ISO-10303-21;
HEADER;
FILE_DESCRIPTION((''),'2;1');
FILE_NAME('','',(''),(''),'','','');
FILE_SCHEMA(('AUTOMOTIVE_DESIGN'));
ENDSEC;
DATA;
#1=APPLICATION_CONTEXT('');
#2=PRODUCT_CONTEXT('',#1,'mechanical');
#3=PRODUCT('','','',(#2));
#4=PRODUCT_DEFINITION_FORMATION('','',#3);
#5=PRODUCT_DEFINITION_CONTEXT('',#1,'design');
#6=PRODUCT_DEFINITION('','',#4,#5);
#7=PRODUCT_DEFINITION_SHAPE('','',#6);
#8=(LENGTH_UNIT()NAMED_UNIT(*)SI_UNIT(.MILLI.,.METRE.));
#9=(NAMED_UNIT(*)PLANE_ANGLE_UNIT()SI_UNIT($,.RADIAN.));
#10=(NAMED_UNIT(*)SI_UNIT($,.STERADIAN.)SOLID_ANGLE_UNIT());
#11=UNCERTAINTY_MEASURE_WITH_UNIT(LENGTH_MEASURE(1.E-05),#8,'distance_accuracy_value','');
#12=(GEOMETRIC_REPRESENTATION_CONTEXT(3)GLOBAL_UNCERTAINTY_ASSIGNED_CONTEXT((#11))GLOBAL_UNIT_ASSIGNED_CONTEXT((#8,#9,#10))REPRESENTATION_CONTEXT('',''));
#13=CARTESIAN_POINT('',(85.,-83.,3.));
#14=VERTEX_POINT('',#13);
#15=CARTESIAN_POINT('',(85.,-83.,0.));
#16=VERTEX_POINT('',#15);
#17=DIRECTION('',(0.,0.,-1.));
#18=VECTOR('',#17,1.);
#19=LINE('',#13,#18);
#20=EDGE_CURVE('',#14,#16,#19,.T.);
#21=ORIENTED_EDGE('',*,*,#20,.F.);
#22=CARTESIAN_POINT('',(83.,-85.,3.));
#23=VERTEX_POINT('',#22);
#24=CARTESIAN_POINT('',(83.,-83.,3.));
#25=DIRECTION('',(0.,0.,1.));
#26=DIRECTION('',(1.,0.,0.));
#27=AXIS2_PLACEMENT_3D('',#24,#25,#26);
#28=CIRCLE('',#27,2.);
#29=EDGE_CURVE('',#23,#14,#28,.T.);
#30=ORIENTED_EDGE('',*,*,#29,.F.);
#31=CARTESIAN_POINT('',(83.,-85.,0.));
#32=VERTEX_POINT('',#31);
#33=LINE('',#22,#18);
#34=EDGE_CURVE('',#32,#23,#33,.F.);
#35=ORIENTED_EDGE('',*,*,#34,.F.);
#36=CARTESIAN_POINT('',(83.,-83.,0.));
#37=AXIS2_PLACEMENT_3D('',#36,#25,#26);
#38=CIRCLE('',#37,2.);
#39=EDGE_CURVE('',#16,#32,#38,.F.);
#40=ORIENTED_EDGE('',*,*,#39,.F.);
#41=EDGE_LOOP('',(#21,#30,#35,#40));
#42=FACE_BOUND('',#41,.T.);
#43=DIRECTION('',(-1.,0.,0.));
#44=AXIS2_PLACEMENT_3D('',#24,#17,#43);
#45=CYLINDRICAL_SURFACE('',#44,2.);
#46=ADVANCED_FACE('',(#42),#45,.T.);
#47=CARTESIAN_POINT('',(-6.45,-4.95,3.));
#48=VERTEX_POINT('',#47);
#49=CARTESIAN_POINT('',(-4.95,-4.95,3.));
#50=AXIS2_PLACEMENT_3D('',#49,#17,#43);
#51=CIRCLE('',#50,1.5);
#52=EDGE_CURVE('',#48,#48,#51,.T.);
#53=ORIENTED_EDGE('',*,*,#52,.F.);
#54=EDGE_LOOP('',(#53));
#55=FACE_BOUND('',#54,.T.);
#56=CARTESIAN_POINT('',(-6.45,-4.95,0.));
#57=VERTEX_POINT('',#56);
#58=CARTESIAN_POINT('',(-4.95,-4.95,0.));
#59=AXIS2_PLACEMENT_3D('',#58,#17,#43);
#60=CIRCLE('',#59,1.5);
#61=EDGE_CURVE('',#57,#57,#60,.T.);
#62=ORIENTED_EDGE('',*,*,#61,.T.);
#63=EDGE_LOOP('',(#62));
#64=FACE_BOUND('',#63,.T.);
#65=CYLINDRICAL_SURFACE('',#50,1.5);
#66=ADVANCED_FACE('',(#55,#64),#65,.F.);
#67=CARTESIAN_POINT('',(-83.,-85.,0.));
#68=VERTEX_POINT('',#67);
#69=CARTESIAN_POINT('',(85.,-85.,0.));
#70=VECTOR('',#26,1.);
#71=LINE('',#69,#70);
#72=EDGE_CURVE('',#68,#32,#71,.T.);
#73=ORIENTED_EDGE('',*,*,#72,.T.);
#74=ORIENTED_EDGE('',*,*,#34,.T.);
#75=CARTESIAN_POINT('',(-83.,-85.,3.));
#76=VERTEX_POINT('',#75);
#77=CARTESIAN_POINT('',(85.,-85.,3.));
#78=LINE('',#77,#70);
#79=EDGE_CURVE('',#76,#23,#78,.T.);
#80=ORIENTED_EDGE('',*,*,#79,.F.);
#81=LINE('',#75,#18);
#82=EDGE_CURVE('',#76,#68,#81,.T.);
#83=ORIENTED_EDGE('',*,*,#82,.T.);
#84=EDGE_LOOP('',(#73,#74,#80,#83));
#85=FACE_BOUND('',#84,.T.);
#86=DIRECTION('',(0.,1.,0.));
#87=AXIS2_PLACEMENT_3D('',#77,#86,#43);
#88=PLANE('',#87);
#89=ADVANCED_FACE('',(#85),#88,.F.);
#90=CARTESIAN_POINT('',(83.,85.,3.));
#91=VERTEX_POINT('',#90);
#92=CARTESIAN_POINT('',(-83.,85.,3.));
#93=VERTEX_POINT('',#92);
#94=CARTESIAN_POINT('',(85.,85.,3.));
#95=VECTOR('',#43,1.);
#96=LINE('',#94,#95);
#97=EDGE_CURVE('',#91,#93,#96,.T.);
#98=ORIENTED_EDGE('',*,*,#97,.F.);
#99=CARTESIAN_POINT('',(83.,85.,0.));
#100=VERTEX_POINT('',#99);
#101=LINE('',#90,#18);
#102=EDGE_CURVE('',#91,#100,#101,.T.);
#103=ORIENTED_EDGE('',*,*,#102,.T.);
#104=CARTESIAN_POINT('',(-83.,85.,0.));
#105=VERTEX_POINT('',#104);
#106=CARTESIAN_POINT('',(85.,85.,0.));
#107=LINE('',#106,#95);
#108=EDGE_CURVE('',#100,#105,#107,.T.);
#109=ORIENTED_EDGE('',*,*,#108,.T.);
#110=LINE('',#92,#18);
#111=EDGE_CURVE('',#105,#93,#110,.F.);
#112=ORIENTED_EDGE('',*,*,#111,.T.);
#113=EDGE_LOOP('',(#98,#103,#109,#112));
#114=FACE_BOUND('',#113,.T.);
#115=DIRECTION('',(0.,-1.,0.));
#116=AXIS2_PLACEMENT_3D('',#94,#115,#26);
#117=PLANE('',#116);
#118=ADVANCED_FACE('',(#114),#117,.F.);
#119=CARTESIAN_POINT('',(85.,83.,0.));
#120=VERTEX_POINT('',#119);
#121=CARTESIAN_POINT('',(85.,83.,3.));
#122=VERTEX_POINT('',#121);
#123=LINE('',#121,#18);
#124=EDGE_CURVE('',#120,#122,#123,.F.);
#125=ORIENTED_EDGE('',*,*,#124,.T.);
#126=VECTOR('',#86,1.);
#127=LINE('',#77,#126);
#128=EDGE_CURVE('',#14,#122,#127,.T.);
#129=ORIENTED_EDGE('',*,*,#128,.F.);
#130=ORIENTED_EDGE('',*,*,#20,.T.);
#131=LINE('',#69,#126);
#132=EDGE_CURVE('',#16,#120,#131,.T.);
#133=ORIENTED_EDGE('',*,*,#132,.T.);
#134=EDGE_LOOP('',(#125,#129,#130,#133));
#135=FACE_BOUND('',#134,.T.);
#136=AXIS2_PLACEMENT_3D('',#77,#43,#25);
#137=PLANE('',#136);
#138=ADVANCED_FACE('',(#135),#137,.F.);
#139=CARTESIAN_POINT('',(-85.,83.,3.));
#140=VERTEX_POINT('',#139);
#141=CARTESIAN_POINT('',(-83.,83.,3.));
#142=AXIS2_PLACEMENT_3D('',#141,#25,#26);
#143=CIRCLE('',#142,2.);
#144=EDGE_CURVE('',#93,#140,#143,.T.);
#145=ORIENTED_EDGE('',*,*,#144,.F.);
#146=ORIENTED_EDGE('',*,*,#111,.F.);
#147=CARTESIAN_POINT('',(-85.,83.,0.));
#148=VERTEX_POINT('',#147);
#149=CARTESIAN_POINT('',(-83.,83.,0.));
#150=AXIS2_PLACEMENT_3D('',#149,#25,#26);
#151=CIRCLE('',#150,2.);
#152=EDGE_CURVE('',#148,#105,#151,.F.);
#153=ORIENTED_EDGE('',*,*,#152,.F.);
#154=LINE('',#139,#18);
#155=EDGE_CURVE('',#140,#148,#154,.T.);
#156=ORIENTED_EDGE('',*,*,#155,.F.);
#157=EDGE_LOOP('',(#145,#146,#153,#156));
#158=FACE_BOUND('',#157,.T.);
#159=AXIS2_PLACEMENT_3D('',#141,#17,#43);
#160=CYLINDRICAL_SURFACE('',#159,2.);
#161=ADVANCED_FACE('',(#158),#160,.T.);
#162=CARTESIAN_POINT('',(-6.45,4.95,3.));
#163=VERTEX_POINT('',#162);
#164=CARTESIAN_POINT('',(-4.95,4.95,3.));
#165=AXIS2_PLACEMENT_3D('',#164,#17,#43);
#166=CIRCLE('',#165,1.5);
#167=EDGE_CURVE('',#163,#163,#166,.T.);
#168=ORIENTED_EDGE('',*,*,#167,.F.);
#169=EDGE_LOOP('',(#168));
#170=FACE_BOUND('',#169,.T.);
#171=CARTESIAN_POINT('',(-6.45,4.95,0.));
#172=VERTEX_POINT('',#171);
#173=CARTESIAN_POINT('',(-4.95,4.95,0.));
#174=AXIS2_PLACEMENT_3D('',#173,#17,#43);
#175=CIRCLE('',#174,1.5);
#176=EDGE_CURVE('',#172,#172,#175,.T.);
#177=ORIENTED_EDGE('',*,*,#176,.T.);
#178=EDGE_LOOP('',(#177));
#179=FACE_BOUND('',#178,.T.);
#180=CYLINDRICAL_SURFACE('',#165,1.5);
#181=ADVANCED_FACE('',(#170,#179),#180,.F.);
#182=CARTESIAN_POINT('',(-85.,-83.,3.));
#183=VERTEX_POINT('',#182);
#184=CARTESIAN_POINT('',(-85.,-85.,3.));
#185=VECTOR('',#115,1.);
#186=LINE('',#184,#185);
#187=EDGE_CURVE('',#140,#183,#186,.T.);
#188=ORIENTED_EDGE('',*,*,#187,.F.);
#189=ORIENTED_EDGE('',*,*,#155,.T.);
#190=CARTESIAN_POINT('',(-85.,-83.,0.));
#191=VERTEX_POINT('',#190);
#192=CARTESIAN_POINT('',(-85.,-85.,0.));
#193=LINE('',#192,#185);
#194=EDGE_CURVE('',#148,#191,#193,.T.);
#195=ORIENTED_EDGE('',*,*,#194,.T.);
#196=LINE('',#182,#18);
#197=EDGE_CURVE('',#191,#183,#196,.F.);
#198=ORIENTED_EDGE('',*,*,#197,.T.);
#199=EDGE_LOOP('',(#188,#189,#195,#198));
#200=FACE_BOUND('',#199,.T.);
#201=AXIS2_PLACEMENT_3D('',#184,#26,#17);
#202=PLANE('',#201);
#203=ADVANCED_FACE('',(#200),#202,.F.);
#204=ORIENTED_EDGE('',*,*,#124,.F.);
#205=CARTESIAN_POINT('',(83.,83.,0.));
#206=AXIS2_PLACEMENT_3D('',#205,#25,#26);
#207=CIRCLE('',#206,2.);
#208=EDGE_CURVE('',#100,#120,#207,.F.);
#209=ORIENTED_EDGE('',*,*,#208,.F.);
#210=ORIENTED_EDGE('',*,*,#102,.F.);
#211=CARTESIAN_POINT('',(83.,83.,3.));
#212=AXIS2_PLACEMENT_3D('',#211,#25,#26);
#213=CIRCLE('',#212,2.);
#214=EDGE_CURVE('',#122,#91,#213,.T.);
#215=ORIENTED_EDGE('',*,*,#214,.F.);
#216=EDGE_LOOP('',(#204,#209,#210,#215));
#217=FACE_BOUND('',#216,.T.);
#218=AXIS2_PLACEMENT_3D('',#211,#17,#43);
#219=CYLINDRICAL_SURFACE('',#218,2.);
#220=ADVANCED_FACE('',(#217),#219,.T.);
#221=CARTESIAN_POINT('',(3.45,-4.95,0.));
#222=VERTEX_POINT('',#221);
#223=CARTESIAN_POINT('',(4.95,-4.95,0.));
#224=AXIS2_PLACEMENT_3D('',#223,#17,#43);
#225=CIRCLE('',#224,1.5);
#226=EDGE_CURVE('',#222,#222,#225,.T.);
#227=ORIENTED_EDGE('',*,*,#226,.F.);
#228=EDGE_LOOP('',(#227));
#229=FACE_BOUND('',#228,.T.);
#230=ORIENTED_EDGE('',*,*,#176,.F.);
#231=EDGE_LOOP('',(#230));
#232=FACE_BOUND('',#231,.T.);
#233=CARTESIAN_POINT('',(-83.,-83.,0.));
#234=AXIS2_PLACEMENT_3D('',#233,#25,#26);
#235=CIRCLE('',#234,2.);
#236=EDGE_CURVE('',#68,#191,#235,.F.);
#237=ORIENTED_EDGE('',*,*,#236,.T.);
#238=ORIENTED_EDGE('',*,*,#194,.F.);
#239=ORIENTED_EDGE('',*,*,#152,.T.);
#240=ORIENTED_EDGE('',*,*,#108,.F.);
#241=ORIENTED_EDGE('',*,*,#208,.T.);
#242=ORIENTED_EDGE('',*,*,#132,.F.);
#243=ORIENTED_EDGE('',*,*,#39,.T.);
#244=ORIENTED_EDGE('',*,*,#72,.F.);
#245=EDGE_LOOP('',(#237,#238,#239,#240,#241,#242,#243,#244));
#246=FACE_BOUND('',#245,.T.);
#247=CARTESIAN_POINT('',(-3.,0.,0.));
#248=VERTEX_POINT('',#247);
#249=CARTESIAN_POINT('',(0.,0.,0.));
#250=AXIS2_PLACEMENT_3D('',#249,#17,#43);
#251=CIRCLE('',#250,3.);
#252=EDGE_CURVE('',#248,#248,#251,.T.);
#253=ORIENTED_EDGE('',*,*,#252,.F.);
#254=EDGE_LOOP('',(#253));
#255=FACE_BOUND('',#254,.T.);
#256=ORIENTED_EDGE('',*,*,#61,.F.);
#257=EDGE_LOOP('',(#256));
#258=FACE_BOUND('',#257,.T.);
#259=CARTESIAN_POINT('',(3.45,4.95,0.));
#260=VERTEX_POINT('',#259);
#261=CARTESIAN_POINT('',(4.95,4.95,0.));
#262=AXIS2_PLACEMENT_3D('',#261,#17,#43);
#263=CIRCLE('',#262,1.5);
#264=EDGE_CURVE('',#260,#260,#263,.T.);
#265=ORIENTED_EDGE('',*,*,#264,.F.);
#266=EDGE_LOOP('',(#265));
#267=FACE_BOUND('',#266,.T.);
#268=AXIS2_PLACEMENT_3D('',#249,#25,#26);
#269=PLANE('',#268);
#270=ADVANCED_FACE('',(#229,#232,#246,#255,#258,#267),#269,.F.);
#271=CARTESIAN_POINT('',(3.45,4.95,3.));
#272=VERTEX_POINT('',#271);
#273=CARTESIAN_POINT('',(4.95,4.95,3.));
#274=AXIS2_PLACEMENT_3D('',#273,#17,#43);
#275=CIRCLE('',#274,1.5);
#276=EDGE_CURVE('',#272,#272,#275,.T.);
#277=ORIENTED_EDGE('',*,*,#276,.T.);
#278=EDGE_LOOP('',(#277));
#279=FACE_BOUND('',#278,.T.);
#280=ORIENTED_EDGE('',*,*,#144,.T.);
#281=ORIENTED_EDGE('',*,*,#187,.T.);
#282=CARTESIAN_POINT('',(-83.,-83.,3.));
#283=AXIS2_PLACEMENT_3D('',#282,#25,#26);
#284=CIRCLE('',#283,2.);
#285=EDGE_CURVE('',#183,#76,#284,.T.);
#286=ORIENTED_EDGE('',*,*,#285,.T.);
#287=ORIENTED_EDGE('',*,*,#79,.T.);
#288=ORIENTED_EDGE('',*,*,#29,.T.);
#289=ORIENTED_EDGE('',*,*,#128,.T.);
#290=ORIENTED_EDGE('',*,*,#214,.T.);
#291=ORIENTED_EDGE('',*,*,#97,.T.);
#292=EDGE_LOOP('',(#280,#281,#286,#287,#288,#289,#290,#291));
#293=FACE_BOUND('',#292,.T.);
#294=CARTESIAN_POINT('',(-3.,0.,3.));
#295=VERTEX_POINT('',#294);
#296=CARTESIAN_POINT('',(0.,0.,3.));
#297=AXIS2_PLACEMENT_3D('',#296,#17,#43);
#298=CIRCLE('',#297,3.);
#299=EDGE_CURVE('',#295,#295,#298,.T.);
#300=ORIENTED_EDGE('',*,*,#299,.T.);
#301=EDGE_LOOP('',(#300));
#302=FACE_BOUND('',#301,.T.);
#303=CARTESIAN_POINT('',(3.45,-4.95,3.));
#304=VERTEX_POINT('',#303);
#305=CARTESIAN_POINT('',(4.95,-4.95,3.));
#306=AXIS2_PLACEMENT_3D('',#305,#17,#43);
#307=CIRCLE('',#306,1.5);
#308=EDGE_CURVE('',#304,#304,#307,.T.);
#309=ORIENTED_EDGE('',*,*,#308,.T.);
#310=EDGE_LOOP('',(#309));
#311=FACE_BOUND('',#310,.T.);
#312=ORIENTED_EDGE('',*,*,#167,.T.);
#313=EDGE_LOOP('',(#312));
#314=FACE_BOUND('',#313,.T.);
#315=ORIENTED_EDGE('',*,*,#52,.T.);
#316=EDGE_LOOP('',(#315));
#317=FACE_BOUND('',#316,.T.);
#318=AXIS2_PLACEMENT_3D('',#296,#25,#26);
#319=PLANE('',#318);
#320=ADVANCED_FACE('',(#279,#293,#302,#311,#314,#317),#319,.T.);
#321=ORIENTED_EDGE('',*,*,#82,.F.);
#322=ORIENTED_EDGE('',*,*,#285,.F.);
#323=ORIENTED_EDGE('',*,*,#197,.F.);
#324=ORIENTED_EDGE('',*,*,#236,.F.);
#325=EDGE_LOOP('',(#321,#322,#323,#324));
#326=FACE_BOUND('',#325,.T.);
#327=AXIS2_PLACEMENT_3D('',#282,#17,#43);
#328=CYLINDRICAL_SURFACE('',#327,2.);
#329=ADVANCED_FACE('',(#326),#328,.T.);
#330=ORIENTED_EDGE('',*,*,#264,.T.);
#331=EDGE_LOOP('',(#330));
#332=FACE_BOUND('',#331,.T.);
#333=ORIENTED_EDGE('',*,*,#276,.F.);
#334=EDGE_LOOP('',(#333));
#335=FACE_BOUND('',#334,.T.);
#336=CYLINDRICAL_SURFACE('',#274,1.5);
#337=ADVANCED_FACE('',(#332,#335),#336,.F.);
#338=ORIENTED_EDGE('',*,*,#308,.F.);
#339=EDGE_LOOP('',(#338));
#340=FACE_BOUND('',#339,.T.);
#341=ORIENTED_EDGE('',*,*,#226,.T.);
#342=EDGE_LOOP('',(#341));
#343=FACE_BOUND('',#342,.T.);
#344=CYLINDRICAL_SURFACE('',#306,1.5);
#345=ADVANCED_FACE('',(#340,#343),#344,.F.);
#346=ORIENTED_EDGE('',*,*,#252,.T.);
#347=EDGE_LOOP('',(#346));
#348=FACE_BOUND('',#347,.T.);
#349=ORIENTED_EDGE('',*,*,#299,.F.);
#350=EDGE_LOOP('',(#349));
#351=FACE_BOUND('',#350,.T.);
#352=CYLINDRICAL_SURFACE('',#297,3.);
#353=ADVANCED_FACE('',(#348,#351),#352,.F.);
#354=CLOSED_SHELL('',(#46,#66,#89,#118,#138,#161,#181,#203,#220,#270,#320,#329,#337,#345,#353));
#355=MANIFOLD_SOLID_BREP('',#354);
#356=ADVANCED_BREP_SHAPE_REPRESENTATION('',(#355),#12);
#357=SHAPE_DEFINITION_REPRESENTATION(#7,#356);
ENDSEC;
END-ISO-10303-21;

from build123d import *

# Parameters (mm, degrees)
SKETCH_1_W          = 170
SKETCH_1_H          = 170
EXTRUDE_1_DEPTH     = 3
SKETCH_3_R          = 3
SKETCH_3_R_2        = 1.5
CUT_EXTRUDE_1_DEPTH = 121.245582039
FILLET_1_R          = 2


with BuildPart() as part:
    # 草图1 → 凸台-拉伸1 (new body)
    with BuildSketch(Plane.XY):
        Rectangle(SKETCH_1_W, SKETCH_1_H)
    extrude(amount=EXTRUDE_1_DEPTH)

    # 草图3 → 切除-拉伸1 (cut, through all)
    with BuildSketch(Plane(origin=(0, 0, 0), x_dir=(-1, 0, 0), z_dir=(0, 0, -1))):
        Circle(SKETCH_3_R)
        with Locations((4.95, 4.95)):
            Circle(SKETCH_3_R_2)
        with Locations((-4.95, 4.95)):
            Circle(SKETCH_3_R_2)
        with Locations((-4.95, -4.95)):
            Circle(SKETCH_3_R_2)
        with Locations((4.95, -4.95)):
            Circle(SKETCH_3_R_2)
    extrude(amount=-CUT_EXTRUDE_1_DEPTH, mode=Mode.SUBTRACT)

    # 圆角1
    fillet_1_edges = [part.edges().sort_by_distance(p)[0] for p in [
        (-85, 85, 1.5),
        (85, 85, 1.5),
        (85, -85, 1.5),
        (-85, -85, 1.5),
    ]]
    fillet(fillet_1_edges, radius=FILLET_1_R)


solid = part.part
